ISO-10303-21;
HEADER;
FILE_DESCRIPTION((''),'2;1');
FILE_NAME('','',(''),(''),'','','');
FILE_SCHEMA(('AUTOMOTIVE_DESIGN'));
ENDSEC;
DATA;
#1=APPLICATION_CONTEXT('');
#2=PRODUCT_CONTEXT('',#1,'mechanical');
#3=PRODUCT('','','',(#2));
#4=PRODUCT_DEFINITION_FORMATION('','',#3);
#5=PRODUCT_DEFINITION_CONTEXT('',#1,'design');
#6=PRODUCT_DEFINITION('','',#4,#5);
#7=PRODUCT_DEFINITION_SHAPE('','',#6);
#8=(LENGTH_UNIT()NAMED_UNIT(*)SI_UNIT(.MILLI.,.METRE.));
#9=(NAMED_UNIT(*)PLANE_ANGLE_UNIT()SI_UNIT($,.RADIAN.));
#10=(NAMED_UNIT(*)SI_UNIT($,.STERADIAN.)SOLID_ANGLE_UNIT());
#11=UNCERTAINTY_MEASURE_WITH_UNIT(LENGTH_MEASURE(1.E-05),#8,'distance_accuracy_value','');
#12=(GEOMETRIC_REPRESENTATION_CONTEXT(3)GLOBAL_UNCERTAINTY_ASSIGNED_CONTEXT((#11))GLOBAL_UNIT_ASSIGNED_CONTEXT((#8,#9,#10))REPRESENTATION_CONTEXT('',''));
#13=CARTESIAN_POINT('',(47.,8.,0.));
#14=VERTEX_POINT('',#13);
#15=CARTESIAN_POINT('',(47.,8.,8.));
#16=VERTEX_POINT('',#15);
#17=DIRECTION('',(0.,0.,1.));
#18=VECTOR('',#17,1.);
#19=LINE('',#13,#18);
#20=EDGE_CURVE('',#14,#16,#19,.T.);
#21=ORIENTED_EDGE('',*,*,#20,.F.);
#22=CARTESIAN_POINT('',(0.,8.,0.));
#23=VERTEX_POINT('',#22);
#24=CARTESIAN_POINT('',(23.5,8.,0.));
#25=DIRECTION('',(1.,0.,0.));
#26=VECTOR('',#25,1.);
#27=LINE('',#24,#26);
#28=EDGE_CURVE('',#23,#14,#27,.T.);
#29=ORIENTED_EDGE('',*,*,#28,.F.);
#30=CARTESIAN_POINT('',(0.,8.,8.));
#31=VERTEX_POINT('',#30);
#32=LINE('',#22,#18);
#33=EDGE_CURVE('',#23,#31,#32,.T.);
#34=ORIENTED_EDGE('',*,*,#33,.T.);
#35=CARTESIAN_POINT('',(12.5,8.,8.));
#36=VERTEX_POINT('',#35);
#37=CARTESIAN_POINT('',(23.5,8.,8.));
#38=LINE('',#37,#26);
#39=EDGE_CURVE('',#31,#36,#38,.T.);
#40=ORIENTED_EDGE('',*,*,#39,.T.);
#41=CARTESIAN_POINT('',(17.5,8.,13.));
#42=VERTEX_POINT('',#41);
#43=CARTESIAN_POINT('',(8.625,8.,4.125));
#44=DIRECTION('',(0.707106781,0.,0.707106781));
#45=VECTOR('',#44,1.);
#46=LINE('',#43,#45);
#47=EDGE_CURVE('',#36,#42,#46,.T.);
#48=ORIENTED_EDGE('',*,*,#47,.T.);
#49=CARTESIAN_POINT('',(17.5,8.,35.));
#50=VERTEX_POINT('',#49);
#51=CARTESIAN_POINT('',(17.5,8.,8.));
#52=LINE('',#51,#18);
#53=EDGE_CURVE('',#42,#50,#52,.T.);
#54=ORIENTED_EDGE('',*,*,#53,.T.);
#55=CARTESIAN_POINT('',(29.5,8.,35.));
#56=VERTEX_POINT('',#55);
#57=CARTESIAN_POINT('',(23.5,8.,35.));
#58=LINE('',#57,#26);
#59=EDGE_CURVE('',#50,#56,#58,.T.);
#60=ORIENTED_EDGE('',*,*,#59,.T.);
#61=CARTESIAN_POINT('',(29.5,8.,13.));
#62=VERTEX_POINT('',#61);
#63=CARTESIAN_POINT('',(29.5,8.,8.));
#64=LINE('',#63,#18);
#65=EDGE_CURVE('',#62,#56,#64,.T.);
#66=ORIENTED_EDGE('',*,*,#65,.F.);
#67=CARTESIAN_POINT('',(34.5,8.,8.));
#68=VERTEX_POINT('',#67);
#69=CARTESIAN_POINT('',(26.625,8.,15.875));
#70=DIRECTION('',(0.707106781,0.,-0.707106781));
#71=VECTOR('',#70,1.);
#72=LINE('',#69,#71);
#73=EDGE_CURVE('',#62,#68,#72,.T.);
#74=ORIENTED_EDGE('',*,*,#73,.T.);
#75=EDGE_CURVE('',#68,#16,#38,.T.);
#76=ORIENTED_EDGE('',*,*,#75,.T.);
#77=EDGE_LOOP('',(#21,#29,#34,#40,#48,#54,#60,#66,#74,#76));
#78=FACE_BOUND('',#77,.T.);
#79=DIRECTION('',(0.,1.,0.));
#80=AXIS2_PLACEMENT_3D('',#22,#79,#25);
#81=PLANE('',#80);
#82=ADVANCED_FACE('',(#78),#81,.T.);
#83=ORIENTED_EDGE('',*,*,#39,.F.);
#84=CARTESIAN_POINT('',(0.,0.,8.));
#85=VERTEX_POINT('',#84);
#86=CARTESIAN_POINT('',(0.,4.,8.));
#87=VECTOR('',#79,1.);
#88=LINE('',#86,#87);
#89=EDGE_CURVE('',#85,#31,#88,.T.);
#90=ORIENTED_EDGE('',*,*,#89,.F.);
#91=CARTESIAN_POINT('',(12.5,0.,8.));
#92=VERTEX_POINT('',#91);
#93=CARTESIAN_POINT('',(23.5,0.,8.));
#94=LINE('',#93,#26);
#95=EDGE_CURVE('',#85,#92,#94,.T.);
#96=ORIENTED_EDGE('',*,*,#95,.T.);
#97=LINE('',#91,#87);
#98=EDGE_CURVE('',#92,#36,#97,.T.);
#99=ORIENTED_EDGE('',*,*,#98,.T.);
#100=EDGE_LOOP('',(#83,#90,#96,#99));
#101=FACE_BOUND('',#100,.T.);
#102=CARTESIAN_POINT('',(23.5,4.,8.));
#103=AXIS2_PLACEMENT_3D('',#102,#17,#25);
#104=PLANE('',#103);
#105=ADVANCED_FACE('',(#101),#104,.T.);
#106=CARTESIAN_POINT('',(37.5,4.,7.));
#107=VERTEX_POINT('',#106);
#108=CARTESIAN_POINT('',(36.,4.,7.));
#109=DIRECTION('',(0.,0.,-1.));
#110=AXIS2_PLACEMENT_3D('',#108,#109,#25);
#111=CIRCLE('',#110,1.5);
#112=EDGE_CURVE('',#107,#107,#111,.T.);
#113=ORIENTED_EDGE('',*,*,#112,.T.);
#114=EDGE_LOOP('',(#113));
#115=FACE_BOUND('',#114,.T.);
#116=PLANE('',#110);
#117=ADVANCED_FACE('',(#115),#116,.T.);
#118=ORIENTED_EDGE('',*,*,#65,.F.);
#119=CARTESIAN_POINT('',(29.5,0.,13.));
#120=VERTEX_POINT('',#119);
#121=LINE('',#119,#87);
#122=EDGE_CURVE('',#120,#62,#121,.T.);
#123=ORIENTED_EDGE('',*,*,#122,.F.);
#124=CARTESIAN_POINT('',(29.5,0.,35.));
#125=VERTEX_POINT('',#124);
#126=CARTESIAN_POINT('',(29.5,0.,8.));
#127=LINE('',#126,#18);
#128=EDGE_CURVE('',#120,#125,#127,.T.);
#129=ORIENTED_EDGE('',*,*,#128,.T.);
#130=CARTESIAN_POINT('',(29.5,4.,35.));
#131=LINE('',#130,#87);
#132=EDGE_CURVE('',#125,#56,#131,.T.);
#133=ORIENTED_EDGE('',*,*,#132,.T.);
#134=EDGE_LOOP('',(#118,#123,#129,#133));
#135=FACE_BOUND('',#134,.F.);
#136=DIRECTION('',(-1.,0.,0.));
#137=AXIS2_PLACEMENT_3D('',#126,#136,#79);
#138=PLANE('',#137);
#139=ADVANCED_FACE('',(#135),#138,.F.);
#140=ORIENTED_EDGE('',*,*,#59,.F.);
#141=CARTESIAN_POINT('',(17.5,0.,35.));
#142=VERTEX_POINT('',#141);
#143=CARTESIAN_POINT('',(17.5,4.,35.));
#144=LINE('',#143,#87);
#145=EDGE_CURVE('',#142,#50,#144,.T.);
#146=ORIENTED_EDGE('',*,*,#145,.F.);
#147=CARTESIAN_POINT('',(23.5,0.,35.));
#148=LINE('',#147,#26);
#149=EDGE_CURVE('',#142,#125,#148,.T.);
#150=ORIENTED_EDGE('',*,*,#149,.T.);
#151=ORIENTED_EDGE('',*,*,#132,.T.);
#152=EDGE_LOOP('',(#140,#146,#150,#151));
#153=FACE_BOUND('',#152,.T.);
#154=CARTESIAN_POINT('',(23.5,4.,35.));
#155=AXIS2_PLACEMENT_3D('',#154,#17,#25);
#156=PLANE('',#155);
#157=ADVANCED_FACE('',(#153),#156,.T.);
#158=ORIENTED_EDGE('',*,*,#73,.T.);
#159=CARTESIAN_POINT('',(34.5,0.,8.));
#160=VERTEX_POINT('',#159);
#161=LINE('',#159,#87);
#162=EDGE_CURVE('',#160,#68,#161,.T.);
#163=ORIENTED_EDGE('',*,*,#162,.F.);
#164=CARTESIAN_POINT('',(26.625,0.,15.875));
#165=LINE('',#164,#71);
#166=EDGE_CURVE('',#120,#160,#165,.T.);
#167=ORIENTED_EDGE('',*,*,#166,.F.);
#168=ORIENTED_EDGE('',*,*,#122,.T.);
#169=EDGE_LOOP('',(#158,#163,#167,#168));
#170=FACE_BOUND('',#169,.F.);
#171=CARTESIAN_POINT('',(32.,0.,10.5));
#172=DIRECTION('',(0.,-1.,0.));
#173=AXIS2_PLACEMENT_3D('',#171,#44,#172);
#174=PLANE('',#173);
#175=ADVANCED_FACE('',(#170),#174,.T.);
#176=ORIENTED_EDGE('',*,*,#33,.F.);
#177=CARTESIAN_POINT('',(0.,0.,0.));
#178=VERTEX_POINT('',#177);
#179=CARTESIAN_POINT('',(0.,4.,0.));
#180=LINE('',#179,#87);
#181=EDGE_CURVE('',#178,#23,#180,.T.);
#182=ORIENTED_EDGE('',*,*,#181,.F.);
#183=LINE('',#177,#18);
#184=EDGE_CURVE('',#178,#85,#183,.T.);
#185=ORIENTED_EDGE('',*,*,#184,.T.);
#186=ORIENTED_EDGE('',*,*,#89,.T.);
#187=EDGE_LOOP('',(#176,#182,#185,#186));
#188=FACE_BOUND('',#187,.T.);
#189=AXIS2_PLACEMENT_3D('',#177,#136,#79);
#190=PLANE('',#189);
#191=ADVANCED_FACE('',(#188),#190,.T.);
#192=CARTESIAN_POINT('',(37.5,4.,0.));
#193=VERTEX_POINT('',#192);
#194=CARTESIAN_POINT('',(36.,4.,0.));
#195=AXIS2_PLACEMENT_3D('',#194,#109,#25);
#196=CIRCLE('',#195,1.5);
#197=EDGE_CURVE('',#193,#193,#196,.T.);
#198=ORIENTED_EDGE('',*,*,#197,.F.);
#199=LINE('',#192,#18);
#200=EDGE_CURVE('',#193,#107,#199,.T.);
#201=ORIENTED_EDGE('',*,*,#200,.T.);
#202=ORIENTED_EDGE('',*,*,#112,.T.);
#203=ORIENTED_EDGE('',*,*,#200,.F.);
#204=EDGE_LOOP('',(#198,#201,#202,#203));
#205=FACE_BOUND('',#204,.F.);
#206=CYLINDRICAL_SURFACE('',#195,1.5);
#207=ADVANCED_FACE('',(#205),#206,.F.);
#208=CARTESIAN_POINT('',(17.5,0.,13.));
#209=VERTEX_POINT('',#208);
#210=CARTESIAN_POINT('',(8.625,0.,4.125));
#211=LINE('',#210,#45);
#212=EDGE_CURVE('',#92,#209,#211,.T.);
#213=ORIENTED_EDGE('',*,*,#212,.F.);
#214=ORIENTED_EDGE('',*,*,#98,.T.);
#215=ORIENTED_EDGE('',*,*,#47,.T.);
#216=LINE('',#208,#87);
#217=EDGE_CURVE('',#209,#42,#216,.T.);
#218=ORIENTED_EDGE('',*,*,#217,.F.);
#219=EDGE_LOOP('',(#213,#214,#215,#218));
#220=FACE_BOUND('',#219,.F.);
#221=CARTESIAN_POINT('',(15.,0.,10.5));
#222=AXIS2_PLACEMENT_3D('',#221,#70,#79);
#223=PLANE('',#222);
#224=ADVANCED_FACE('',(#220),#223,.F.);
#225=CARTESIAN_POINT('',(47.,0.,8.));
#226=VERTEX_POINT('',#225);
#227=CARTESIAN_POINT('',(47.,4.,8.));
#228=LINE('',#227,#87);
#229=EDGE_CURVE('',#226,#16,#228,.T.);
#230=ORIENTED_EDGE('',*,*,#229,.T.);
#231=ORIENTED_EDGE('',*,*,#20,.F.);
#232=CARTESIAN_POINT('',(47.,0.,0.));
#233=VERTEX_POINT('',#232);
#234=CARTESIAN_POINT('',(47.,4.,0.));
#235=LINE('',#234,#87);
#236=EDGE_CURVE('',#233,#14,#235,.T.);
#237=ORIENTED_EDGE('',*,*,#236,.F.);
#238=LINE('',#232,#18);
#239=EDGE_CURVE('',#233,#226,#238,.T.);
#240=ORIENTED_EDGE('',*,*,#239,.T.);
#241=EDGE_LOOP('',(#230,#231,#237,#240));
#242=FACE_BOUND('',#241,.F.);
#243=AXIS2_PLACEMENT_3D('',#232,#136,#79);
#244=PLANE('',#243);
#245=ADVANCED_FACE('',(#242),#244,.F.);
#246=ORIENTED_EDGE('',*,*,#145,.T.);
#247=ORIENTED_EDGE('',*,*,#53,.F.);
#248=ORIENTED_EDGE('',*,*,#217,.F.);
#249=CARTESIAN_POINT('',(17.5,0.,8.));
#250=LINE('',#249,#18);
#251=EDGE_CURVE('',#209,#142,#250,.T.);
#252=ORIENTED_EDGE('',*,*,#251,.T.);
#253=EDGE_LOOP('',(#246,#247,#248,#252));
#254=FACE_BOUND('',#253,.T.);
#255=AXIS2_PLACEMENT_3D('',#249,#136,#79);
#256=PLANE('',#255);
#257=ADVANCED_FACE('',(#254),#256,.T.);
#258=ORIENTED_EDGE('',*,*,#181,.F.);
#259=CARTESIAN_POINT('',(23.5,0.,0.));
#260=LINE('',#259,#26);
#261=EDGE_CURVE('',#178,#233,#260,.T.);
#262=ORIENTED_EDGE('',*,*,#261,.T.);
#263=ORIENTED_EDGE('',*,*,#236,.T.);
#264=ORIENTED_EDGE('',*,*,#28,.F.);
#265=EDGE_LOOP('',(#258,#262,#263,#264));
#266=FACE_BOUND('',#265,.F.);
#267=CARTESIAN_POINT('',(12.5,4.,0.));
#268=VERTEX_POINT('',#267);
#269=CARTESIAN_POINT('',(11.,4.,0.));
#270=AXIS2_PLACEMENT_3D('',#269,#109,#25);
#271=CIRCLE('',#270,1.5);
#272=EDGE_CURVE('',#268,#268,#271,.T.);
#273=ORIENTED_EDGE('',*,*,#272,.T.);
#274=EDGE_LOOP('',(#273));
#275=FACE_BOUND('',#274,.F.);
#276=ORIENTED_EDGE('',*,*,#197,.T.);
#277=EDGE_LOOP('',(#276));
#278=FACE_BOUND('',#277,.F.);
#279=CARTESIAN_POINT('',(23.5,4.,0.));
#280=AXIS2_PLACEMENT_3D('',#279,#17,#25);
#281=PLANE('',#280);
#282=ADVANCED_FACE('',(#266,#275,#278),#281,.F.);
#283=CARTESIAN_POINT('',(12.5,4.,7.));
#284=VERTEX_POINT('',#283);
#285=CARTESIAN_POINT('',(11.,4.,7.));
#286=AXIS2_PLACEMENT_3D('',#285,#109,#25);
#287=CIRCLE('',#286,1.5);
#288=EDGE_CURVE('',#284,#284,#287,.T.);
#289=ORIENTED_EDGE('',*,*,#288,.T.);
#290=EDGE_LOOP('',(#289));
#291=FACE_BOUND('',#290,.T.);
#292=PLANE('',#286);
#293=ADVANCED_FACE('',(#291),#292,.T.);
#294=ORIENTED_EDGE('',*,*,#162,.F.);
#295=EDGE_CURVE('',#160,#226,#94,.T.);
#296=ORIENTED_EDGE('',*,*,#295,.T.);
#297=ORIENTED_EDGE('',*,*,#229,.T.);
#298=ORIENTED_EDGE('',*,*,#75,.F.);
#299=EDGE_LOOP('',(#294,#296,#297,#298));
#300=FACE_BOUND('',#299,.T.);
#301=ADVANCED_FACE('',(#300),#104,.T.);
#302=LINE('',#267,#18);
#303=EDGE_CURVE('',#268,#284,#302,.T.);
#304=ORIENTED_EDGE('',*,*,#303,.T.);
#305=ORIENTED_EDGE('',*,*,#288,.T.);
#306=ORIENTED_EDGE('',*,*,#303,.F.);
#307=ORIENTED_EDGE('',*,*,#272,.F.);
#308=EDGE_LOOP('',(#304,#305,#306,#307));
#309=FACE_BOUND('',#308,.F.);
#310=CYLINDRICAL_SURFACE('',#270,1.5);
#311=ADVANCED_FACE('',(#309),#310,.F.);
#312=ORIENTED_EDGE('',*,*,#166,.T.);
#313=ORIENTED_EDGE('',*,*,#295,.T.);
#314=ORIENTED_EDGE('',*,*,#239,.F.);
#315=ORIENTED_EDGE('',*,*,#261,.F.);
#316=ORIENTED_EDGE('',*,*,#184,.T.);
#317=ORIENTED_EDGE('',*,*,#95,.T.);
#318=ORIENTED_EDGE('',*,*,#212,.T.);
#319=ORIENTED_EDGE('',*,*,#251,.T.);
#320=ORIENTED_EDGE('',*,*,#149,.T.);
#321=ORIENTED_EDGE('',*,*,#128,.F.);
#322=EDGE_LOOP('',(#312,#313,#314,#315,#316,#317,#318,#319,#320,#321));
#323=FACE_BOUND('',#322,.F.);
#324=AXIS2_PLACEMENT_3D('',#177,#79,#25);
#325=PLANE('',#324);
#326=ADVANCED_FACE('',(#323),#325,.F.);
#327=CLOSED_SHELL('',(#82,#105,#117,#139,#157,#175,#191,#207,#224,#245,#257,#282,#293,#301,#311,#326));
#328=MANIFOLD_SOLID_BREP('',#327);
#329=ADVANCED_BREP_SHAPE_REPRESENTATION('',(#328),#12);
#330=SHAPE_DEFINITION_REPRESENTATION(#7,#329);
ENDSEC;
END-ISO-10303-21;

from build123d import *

# Parameters (mm, degrees)
SKETCH_W     = 47
SKETCH_H     = 8
PAD_DEPTH    = 8
SKETCH001_W  = 12
SKETCH001_H  = 8
PAD001_DEPTH = 27
SKETCH002_R  = 1.5
POCKET_DEPTH = 7
CHAMFER_SIZE = 5


with BuildPart() as part:
    # Sketch → Pad (new body)
    with BuildSketch(Plane.XY):
        with Locations((23.5, 4)):
            Rectangle(SKETCH_W, SKETCH_H)
    extrude(amount=PAD_DEPTH)

    # Sketch001 (on Face8 of Pad) → Pad001 (join)
    with BuildSketch(Plane.XY.offset(8)):
        with Locations((23.5, 4)):
            Rectangle(SKETCH001_W, SKETCH001_H)
    extrude(amount=PAD001_DEPTH)

    # Sketch002 (on Face4 of Pad001) → Pocket (cut)
    with BuildSketch(Plane(origin=(0, 0, 0), x_dir=(1, 0, 0), z_dir=(0, 0, -1))):
        with Locations((36, -4)):
            Circle(SKETCH002_R)
        with Locations((11, -4)):
            Circle(SKETCH002_R)
    extrude(amount=-POCKET_DEPTH, mode=Mode.SUBTRACT)

    # Chamfer
    chamfer_edges = [part.edges().sort_by_distance(p)[0] for p in [
        (17.5, 4, 8),
        (29.5, 4, 8),
    ]]
    chamfer(chamfer_edges, length=CHAMFER_SIZE)


solid = part.part
